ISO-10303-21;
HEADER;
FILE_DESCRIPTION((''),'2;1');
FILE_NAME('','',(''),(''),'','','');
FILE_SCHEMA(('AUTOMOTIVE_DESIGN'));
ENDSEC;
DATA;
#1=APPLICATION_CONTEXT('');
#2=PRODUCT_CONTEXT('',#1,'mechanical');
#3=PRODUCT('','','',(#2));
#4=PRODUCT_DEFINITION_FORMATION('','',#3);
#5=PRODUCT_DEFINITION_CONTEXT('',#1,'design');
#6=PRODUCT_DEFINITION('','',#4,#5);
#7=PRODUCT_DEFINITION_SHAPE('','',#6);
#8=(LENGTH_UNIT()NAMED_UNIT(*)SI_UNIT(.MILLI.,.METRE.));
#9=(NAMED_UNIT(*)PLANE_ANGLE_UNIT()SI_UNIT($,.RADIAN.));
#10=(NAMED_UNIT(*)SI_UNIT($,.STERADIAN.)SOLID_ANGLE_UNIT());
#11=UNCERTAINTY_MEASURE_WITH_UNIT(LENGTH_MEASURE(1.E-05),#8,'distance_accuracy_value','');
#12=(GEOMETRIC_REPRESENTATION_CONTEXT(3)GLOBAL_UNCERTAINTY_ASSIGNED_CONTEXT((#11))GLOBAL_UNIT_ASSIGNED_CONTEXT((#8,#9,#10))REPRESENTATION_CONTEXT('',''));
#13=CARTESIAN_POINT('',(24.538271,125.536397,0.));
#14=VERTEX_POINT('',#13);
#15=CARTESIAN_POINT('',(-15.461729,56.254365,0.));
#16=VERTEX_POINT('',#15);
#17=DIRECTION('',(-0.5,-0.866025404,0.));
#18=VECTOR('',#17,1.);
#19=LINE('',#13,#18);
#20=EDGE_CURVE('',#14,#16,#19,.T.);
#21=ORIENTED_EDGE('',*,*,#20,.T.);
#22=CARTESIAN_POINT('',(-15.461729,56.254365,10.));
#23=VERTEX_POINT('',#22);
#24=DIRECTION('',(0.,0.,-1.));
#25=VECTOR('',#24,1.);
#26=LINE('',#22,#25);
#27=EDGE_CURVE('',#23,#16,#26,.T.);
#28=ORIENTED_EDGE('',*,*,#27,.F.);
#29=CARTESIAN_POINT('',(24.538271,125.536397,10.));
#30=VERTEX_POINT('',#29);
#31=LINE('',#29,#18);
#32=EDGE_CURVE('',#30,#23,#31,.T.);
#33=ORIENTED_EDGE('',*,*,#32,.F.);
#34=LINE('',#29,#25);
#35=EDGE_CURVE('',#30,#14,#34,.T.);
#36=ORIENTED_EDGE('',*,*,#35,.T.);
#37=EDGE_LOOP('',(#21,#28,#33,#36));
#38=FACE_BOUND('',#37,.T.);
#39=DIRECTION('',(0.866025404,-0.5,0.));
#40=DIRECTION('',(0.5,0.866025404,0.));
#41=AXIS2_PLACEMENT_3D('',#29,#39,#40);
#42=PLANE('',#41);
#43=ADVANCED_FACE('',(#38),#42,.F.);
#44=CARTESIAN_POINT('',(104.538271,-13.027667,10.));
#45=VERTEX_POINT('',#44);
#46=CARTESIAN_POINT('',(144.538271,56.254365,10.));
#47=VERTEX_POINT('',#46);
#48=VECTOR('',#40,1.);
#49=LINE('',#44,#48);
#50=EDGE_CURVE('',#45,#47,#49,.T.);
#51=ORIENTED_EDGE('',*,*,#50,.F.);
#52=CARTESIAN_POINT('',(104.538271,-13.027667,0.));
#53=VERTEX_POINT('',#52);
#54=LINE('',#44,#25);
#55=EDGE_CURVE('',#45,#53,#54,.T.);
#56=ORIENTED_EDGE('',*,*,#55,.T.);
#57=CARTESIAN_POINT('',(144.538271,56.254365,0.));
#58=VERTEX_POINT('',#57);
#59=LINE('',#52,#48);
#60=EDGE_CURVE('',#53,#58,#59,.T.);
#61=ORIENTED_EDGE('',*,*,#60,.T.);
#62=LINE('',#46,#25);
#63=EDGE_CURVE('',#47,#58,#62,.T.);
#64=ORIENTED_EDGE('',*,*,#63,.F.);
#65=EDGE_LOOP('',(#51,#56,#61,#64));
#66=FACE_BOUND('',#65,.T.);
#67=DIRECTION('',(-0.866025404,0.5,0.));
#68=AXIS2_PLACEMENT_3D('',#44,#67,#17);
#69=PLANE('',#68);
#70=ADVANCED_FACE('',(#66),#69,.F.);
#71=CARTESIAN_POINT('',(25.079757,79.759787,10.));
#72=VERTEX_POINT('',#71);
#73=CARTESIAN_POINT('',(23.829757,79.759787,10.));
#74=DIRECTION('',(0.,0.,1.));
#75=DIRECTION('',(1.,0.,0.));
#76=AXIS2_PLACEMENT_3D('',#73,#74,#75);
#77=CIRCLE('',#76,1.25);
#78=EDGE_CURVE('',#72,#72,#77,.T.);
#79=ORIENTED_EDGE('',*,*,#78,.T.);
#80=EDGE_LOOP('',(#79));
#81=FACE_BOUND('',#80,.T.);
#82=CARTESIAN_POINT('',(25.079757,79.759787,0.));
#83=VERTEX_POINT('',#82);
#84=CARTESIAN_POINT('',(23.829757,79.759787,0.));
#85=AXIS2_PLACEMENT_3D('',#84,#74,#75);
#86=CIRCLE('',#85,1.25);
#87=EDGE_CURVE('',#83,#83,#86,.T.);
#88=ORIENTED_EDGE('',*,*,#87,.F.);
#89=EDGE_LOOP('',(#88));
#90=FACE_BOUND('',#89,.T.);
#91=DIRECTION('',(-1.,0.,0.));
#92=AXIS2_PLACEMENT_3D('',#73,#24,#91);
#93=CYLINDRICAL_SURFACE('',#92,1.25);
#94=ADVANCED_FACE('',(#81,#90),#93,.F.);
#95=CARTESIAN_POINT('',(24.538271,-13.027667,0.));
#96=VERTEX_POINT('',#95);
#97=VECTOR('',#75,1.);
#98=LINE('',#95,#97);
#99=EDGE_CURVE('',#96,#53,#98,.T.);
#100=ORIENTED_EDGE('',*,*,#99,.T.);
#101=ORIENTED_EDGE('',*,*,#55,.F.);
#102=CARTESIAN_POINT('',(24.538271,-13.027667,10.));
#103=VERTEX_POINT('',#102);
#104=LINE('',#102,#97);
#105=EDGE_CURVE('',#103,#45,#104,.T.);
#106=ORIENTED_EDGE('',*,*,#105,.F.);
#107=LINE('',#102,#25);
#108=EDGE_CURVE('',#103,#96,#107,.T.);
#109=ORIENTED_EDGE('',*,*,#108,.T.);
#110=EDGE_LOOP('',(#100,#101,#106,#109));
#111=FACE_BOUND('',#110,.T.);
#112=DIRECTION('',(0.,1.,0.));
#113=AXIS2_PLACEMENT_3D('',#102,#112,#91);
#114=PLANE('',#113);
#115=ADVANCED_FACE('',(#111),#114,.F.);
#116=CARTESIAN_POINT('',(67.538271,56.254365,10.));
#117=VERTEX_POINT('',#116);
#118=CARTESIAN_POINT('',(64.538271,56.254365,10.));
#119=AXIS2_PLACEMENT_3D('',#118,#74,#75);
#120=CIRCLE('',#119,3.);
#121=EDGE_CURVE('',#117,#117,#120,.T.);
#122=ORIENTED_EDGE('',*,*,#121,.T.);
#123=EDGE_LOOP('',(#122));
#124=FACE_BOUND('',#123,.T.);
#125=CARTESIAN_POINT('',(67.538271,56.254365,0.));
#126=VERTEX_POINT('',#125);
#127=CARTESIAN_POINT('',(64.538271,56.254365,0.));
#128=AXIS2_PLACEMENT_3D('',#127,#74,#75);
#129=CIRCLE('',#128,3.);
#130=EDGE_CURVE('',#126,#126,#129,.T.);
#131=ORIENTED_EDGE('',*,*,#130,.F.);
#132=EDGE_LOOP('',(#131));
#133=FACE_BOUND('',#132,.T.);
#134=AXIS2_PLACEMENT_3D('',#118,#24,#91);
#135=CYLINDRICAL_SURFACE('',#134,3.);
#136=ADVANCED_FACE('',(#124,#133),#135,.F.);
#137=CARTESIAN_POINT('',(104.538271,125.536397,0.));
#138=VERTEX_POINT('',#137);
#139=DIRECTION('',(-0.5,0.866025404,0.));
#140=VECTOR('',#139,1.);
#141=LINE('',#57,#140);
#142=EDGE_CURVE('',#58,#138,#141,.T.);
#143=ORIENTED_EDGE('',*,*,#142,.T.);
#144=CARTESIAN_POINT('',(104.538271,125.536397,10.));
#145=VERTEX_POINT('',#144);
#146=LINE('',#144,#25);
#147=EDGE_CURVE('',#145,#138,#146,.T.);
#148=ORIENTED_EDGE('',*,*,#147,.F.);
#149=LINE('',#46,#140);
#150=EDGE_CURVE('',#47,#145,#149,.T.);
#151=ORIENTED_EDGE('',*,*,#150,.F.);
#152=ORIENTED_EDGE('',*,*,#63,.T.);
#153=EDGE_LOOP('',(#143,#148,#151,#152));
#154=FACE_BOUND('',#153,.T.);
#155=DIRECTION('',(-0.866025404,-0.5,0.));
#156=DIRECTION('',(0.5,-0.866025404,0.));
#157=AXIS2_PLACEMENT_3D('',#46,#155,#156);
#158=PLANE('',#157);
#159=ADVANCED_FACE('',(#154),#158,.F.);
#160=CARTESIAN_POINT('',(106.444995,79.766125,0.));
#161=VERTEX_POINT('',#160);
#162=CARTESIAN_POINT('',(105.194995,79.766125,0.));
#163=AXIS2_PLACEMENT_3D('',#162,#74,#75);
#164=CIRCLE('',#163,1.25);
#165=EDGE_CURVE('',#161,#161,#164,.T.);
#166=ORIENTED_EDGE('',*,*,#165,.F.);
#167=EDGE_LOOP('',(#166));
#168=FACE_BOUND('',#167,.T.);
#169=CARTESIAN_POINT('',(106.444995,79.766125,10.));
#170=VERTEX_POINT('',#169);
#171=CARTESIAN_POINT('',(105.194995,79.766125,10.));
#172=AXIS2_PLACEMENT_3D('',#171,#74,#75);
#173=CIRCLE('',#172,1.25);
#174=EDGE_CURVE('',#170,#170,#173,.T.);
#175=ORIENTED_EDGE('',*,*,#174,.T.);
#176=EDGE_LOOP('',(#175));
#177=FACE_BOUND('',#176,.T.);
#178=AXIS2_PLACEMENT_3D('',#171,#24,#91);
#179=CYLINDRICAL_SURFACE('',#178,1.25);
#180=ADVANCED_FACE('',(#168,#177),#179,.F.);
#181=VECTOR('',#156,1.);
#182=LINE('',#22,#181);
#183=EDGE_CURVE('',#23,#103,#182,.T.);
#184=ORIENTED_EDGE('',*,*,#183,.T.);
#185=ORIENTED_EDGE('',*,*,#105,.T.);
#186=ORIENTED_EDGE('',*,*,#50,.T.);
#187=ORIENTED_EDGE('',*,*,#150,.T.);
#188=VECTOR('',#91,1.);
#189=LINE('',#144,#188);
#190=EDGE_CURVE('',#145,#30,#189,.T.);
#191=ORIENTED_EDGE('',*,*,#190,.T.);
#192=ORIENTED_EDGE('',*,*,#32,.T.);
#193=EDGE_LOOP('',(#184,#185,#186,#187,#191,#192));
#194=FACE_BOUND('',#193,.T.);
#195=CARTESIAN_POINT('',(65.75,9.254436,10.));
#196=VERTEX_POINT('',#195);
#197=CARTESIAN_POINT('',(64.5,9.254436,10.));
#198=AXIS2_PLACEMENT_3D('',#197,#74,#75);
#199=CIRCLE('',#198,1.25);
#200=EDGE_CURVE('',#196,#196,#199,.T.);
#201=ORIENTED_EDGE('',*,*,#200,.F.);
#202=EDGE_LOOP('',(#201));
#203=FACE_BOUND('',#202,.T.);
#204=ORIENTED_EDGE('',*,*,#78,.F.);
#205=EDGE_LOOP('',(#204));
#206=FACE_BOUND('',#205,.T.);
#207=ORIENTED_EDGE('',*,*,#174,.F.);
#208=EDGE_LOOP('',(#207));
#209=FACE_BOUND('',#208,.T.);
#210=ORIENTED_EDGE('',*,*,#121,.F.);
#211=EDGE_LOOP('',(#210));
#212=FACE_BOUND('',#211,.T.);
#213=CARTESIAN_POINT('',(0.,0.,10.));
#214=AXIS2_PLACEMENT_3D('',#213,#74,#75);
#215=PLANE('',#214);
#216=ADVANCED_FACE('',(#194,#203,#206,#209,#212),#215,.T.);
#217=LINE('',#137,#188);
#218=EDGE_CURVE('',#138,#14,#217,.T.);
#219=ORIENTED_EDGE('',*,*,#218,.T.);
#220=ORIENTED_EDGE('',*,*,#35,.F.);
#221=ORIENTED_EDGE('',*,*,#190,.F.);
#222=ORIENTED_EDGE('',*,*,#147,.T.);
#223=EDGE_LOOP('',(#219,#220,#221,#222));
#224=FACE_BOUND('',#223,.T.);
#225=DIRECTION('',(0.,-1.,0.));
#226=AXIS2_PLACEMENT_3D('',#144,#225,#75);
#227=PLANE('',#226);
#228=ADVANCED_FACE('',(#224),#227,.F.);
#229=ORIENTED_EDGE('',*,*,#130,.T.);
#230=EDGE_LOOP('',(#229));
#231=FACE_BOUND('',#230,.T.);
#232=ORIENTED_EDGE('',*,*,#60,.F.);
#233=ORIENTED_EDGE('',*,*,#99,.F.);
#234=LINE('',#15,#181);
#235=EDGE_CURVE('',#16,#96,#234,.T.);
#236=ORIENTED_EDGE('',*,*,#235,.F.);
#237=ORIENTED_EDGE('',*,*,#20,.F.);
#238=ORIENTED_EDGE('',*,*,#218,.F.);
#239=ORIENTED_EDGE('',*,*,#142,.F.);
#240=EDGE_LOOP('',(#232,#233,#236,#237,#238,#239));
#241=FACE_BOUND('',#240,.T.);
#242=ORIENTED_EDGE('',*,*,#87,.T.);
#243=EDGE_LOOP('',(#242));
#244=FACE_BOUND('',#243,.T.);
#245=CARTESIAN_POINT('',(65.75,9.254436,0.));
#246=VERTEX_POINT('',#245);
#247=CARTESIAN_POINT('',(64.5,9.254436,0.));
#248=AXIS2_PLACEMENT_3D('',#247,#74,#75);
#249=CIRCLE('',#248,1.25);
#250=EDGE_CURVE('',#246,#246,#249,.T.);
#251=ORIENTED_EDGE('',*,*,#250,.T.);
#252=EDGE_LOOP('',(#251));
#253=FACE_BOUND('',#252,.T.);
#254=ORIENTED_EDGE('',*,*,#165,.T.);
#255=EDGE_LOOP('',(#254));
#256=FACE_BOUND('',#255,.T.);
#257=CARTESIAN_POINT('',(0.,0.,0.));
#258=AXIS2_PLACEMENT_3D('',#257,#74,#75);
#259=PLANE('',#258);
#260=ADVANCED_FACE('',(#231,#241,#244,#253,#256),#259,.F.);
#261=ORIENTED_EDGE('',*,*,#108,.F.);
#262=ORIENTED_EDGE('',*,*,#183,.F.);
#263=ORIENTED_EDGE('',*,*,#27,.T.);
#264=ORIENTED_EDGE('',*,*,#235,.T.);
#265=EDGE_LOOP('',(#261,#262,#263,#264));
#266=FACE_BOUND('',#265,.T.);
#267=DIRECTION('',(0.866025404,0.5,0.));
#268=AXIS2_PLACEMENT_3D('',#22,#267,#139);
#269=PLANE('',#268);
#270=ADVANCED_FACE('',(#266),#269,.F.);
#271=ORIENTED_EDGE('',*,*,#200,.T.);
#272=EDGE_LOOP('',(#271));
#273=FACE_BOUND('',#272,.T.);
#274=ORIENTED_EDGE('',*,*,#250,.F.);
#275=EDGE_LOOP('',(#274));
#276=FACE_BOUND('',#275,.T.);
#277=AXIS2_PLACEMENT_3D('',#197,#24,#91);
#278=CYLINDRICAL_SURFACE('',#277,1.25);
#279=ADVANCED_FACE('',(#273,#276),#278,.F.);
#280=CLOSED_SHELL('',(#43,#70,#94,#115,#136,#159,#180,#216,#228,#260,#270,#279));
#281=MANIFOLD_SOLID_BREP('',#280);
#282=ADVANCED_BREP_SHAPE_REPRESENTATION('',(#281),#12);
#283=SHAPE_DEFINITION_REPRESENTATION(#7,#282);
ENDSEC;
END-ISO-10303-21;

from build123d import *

# Parameters (mm, degrees)
ESBO_O1_R                = 1.25
ESBO_O1_R_2              = 3
RESSALTO_EXTRUS_O1_DEPTH = 10


with BuildPart() as part:
    # Esboço1 → Ressalto-extrusão1 (new body)
    with BuildSketch(Plane.XY):
        Polygon((24.538271299, 125.53639711), (-15.461728701, 56.254364807), (24.538271299, -13.027667496), (104.538271299, -13.027667496), (144.538271299, 56.254364807), (104.538271299, 125.53639711), align=None)
        with Locations((23.829756558, 79.75978664)):
            Circle(ESBO_O1_R, mode=Mode.SUBTRACT)
        with Locations((64.5, 9.254436228)):
            Circle(ESBO_O1_R, mode=Mode.SUBTRACT)
        with Locations((105.194995267, 79.766124623)):
            Circle(ESBO_O1_R, mode=Mode.SUBTRACT)
        with Locations((64.538271299, 56.254364807)):
            Circle(ESBO_O1_R_2, mode=Mode.SUBTRACT)
    extrude(amount=RESSALTO_EXTRUS_O1_DEPTH)


solid = part.part
